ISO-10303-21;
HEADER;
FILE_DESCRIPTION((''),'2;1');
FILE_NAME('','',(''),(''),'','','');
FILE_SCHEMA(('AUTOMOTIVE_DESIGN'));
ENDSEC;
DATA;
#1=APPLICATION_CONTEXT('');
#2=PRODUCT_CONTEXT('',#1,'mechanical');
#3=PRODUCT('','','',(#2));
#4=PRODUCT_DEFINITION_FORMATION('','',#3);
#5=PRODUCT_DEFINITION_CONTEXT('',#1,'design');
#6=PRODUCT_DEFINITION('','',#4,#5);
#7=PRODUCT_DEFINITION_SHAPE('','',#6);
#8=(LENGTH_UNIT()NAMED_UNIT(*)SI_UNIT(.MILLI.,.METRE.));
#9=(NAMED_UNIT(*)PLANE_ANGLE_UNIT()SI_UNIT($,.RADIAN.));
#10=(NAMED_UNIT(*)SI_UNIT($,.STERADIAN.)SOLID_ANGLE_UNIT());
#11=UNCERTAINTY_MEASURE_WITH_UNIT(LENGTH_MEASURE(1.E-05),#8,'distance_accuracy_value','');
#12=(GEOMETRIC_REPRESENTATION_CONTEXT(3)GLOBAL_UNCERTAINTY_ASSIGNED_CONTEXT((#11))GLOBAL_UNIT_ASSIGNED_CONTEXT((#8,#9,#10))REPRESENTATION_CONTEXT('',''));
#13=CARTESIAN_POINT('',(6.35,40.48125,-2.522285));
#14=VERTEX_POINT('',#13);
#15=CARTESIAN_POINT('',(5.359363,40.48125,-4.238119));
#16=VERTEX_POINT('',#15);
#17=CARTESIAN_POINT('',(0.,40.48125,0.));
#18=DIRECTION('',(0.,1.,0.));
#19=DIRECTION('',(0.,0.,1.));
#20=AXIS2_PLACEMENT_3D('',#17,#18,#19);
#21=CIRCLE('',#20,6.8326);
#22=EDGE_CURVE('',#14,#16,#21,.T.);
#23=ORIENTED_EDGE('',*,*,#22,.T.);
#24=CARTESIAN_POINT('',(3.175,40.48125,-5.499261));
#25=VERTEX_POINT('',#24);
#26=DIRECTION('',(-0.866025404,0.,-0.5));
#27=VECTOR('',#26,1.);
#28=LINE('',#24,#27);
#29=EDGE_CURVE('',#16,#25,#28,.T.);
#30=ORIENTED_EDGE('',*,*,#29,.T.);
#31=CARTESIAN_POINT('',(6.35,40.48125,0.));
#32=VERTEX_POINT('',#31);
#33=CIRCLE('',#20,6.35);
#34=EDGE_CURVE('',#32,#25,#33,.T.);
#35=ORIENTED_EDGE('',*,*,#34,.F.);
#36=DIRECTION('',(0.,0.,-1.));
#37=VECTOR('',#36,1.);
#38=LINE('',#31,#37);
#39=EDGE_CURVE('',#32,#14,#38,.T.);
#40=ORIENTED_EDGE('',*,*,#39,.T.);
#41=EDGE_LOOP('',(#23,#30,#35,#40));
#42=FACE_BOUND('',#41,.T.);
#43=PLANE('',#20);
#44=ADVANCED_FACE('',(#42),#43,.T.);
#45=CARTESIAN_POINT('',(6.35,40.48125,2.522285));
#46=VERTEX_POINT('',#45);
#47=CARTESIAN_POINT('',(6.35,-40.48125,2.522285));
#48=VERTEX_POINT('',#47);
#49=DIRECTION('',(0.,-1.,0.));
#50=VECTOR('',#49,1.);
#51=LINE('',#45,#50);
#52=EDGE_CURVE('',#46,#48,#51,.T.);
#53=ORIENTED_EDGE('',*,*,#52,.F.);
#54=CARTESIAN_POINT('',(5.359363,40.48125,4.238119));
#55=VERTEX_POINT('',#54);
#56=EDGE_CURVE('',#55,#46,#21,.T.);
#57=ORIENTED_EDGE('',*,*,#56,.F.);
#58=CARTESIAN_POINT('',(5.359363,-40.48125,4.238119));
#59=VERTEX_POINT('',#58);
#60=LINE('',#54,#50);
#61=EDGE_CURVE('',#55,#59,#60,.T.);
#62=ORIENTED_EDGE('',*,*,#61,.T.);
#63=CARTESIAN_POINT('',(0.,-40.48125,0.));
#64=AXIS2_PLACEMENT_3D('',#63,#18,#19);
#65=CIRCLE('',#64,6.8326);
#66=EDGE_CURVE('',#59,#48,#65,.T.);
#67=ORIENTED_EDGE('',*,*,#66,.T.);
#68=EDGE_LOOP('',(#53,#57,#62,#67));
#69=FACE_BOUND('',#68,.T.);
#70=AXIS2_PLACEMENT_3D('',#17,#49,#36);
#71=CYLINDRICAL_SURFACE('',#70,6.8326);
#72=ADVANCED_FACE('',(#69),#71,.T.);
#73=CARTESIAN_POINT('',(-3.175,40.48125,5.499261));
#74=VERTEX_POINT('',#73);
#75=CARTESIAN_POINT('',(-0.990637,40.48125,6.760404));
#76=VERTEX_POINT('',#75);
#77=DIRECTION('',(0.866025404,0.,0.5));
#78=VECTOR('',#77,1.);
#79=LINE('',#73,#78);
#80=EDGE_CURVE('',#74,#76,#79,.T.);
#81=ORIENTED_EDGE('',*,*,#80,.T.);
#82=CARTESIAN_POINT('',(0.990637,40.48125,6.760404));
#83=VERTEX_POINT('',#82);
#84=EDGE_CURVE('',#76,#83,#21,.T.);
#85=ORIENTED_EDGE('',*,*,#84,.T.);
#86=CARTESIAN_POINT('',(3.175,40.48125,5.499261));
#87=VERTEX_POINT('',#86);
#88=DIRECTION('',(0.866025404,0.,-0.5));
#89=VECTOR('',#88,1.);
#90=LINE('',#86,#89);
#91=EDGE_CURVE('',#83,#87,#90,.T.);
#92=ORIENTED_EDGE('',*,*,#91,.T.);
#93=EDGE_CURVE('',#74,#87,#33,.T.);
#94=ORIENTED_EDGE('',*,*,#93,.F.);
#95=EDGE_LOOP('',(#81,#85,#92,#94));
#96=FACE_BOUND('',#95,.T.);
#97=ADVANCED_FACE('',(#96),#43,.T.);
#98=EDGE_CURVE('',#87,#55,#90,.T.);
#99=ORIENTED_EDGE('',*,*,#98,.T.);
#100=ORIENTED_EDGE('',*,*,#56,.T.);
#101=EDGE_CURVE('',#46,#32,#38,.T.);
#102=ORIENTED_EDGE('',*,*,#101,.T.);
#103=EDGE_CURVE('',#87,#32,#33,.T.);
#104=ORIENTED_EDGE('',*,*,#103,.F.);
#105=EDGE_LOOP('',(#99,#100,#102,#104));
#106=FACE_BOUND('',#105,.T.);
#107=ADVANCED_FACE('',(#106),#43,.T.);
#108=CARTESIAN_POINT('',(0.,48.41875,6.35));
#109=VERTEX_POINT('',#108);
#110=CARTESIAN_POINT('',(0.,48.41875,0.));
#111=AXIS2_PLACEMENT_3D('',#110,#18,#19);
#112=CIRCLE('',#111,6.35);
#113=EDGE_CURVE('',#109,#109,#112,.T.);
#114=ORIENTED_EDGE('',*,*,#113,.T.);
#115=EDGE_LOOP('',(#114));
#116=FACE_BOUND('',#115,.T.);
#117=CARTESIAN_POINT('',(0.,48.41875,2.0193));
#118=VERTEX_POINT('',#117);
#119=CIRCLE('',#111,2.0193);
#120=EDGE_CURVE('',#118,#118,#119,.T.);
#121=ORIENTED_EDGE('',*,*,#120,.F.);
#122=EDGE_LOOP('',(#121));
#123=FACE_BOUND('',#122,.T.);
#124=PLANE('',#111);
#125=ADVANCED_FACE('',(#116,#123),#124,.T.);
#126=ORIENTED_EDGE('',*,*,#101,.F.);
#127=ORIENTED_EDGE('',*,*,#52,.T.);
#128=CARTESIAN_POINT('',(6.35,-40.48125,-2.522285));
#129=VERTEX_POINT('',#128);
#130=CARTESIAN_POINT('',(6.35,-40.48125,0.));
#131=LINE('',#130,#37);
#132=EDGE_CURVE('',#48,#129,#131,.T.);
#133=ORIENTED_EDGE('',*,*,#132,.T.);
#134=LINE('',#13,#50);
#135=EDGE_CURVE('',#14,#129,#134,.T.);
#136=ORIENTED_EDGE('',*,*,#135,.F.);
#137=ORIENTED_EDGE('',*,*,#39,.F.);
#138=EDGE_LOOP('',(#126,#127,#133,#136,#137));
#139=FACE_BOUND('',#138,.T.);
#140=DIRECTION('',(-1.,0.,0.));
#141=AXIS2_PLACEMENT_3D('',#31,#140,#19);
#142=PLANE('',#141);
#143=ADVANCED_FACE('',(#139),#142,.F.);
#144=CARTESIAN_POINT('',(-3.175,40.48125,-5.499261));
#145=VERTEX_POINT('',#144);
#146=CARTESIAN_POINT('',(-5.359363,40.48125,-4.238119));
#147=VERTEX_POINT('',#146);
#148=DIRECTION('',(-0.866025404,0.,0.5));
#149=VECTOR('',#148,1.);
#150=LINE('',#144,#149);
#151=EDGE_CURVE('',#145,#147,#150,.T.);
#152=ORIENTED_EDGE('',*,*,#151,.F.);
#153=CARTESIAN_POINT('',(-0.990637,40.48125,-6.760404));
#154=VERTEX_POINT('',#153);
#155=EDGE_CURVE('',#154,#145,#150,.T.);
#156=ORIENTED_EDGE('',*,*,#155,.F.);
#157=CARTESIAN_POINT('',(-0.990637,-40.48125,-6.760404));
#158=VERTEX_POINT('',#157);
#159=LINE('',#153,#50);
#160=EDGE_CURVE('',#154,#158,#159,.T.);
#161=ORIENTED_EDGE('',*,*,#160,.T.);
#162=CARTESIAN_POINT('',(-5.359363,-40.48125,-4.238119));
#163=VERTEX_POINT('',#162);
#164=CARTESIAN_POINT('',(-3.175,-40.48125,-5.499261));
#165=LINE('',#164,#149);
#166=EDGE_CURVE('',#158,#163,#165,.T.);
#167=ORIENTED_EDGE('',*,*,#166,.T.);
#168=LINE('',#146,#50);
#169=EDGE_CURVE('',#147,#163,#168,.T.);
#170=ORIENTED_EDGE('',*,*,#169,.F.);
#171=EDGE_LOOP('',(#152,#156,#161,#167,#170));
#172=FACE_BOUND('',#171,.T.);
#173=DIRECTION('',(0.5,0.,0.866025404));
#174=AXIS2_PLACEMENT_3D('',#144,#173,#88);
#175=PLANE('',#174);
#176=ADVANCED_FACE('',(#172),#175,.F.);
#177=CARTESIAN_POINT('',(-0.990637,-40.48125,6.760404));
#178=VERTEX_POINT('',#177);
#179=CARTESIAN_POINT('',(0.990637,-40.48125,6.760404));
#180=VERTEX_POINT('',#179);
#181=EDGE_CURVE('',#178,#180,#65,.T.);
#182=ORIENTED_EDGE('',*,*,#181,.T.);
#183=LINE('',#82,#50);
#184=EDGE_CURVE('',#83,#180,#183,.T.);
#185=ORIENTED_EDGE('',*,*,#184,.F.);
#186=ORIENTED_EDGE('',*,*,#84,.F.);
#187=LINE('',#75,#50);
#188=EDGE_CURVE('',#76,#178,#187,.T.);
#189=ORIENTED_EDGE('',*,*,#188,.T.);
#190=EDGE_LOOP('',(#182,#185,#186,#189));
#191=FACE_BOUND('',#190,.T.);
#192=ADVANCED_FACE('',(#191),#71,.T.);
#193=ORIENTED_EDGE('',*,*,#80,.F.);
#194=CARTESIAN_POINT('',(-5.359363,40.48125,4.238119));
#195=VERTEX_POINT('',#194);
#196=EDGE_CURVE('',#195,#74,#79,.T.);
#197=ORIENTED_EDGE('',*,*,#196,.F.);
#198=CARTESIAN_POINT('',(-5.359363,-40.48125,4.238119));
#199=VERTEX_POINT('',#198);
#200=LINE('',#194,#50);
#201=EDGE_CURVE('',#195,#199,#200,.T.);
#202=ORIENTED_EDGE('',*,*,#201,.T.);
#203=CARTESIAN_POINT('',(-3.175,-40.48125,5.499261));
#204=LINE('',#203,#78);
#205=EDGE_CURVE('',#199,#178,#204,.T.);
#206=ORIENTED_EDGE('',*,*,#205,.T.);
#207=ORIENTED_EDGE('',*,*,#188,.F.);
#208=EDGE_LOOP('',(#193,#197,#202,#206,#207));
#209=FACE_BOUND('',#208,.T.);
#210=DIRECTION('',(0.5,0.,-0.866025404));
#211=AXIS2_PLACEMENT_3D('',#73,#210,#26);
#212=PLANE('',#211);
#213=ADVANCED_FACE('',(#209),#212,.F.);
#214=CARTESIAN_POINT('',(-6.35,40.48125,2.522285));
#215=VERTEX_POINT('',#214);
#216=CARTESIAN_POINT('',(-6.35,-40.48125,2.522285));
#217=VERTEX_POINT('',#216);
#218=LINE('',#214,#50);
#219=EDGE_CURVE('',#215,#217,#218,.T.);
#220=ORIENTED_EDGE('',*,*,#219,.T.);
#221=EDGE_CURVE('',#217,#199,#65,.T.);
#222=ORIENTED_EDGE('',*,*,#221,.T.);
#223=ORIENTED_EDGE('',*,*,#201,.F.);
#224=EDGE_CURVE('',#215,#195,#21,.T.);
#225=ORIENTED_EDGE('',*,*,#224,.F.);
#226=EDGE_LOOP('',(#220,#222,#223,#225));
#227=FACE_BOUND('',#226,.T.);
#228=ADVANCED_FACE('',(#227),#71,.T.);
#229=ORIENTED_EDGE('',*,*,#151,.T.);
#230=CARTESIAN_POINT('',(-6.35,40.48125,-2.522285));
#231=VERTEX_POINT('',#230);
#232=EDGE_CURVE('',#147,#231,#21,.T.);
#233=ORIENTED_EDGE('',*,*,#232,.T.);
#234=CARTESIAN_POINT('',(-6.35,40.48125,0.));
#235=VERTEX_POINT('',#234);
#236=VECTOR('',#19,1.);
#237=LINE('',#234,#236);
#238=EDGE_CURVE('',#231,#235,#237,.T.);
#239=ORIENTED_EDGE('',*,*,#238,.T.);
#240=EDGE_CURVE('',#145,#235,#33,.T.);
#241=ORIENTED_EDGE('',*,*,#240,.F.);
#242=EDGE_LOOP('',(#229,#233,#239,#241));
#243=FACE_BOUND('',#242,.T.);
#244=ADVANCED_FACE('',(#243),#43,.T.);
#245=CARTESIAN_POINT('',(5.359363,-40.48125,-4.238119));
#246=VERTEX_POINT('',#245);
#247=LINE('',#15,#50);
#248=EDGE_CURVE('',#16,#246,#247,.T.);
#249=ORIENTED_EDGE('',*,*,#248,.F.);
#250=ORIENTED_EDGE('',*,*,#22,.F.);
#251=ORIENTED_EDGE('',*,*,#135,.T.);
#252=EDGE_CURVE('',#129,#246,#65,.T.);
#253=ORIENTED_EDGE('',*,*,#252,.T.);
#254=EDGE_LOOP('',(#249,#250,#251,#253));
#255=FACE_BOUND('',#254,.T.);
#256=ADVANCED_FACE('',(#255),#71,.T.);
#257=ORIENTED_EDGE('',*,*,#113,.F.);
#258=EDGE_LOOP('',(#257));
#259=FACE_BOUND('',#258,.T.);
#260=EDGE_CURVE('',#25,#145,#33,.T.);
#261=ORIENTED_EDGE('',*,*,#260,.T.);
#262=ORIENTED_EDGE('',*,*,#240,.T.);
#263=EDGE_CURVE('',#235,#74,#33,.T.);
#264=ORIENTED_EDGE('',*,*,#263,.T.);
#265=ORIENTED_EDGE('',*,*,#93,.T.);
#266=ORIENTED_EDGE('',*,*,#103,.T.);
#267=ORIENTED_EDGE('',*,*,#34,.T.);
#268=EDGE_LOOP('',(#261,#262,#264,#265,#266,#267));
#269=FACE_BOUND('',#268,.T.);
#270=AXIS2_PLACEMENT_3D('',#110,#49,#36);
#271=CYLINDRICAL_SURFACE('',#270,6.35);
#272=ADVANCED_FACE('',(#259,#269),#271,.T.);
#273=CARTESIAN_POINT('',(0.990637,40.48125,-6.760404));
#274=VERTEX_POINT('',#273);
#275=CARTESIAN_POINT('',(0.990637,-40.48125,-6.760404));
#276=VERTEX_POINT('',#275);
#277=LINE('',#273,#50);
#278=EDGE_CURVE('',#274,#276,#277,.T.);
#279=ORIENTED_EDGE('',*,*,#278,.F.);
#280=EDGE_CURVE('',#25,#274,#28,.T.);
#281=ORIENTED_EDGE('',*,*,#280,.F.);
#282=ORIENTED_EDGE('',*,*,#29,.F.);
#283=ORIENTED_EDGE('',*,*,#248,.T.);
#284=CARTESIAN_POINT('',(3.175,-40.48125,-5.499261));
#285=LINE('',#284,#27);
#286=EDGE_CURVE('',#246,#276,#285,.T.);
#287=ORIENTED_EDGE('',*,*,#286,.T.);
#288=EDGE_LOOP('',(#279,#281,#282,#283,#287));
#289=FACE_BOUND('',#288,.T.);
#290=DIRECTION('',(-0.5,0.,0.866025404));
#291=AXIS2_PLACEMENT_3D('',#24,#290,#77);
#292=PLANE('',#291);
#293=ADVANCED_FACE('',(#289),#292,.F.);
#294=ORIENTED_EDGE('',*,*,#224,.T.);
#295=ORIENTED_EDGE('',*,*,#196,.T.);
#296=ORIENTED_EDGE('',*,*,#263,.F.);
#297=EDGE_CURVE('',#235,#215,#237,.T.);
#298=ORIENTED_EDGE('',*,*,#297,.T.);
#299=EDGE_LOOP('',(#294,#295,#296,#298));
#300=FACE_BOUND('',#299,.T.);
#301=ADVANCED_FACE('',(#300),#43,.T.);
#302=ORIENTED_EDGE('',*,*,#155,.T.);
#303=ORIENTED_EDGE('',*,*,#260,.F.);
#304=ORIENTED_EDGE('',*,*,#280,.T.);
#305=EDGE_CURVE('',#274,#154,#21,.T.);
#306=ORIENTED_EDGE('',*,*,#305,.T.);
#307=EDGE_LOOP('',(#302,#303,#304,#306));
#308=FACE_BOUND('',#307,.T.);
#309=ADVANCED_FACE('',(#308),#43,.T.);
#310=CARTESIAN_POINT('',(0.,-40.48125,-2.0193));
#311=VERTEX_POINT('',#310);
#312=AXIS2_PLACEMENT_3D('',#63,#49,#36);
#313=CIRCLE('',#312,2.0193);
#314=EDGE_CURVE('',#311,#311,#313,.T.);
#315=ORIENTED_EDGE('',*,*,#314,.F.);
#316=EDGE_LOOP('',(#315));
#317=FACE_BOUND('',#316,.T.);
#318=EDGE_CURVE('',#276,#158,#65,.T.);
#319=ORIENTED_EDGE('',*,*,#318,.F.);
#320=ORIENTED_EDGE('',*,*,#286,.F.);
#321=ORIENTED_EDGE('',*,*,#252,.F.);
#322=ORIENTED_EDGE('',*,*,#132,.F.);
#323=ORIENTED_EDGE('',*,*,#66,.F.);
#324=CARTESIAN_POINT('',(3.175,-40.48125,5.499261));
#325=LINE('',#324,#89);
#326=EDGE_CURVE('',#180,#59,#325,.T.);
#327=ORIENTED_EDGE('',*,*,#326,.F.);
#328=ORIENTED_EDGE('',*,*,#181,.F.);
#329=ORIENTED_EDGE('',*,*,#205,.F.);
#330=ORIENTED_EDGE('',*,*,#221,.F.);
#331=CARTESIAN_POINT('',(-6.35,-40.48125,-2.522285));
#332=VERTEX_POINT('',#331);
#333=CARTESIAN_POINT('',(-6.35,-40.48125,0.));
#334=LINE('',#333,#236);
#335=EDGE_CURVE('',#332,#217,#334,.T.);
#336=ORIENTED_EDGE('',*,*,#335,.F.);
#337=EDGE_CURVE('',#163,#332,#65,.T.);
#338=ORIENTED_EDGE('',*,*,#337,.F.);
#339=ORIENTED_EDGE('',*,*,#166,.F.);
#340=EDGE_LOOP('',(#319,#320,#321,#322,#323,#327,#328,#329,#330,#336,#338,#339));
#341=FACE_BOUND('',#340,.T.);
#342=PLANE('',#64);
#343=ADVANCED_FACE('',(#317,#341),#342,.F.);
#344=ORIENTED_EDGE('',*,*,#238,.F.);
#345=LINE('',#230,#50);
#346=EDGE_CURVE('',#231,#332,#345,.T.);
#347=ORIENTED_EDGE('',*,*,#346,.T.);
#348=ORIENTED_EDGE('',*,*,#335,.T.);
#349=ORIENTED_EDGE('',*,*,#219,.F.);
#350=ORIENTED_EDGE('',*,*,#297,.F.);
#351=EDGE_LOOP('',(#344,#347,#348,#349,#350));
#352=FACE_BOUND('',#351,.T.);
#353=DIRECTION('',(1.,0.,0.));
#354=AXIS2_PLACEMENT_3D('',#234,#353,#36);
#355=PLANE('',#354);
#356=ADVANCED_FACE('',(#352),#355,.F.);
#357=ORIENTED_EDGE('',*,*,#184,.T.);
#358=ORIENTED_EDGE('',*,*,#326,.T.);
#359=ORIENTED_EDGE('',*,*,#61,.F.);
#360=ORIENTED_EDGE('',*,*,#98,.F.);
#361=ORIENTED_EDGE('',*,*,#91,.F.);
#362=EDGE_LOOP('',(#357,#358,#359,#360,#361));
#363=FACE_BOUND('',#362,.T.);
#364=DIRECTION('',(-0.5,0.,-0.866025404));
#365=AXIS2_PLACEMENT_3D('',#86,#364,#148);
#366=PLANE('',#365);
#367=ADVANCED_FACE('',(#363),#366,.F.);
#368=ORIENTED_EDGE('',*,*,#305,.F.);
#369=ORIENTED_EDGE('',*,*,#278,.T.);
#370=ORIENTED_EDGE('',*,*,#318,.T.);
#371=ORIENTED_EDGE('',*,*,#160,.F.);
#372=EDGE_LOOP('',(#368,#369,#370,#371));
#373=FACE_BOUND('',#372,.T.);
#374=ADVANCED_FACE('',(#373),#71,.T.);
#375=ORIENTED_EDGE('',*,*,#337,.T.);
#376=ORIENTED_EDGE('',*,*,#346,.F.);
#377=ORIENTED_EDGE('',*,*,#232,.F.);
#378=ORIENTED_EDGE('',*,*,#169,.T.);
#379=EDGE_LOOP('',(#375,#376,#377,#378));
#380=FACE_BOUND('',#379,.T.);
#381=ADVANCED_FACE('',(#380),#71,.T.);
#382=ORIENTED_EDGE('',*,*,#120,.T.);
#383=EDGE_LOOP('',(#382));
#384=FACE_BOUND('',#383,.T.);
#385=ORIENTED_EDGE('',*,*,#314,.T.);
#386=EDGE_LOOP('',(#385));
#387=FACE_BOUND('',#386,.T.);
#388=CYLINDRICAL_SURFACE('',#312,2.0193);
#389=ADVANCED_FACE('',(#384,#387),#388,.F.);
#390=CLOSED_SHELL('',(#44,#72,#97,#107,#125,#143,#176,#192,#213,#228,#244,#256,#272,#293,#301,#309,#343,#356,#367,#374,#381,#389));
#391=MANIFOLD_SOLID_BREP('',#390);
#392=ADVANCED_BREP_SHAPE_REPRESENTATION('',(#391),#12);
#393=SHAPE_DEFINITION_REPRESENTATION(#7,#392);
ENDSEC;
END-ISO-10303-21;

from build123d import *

# Parameters (mm, degrees)
BOSS_EXTRUDE1_DEPTH        = 40.48125
SKETCH3_R                  = 6.35
BOSS_EXTRUDE2_DEPTH        = 7.9375
F_10_32_TAPPED_HOLE1_D     = 4.0386
F_10_32_TAPPED_HOLE1_DEPTH = 12.02944
F_10_32_TAPPED_HOLE1_TIP   = 1.213317848
SKETCH2_R                  = 2.0193
CUT_EXTRUDE1_DEPTH         = 90.388013306


with BuildPart() as part:
    # Sketch1 → Boss-Extrude1 (new, symmetric)
    with BuildSketch(Plane(origin=(0, 0, 0), x_dir=(1, 0, 0), z_dir=(0, 1, 0))):
        with BuildLine():
            ThreePointArc((0.990636919, 6.760403927), (0, 6.8326), (-0.990636919, 6.760403927))
            Line((-0.990636919, 6.760403927), (-5.359363081, 4.238118701))
            ThreePointArc((-5.359363081, 4.238118701), (-5.917205174, 3.4163), (-6.35, 2.522285226))
            Line((-6.35, 2.522285226), (-6.35, -2.522285226))
            ThreePointArc((-6.35, -2.522285226), (-5.917205174, -3.4163), (-5.359363081, -4.238118701))
            Line((-5.359363081, -4.238118701), (-0.990636919, -6.760403927))
            ThreePointArc((-0.990636919, -6.760403927), (0, -6.8326), (0.990636919, -6.760403927))
            Line((0.990636919, -6.760403927), (5.359363081, -4.238118701))
            ThreePointArc((5.359363081, -4.238118701), (5.917205174, -3.4163), (6.35, -2.522285226))
            Line((6.35, -2.522285226), (6.35, 2.522285226))
            ThreePointArc((6.35, 2.522285226), (5.917205174, 3.4163), (5.359363081, 4.238118701))
            Line((5.359363081, 4.238118701), (0.990636919, 6.760403927))
        make_face()
    extrude(amount=BOSS_EXTRUDE1_DEPTH, both=True)

    # Sketch3 → Boss-Extrude2 (add)
    with BuildSketch(Plane(origin=(0, 40.48125, 0), x_dir=(1, 0, 0), z_dir=(0, 1, 0))):
        with Locations(Location((0, 0, 0), (0, 0, 60))):
            Circle(SKETCH3_R)
    extrude(amount=BOSS_EXTRUDE2_DEPTH)

    # #10-32 Tapped Hole1
    with Locations(Plane(origin=(0, -40.48125, 0), x_dir=(-1, 0, 0), z_dir=(0, -1, 0))):
        with Locations((0, 0)):
            Hole(F_10_32_TAPPED_HOLE1_D / 2, depth=F_10_32_TAPPED_HOLE1_DEPTH)
            with Locations((0, 0, -(F_10_32_TAPPED_HOLE1_DEPTH + F_10_32_TAPPED_HOLE1_TIP / 2))):  # 118° drill point
                Cone(0, F_10_32_TAPPED_HOLE1_D / 2, F_10_32_TAPPED_HOLE1_TIP, mode=Mode.SUBTRACT)

    # Sketch2 → Cut-Extrude1 (cut, through all)
    with BuildSketch(Plane(origin=(0, -40.48125, 0), x_dir=(1, 0, 0), z_dir=(0, 1, 0))):
        with Locations(Location((0, 0, 0), (0, 0, 90))):
            Circle(SKETCH2_R)
    extrude(amount=CUT_EXTRUDE1_DEPTH, mode=Mode.SUBTRACT)


solid = part.part
